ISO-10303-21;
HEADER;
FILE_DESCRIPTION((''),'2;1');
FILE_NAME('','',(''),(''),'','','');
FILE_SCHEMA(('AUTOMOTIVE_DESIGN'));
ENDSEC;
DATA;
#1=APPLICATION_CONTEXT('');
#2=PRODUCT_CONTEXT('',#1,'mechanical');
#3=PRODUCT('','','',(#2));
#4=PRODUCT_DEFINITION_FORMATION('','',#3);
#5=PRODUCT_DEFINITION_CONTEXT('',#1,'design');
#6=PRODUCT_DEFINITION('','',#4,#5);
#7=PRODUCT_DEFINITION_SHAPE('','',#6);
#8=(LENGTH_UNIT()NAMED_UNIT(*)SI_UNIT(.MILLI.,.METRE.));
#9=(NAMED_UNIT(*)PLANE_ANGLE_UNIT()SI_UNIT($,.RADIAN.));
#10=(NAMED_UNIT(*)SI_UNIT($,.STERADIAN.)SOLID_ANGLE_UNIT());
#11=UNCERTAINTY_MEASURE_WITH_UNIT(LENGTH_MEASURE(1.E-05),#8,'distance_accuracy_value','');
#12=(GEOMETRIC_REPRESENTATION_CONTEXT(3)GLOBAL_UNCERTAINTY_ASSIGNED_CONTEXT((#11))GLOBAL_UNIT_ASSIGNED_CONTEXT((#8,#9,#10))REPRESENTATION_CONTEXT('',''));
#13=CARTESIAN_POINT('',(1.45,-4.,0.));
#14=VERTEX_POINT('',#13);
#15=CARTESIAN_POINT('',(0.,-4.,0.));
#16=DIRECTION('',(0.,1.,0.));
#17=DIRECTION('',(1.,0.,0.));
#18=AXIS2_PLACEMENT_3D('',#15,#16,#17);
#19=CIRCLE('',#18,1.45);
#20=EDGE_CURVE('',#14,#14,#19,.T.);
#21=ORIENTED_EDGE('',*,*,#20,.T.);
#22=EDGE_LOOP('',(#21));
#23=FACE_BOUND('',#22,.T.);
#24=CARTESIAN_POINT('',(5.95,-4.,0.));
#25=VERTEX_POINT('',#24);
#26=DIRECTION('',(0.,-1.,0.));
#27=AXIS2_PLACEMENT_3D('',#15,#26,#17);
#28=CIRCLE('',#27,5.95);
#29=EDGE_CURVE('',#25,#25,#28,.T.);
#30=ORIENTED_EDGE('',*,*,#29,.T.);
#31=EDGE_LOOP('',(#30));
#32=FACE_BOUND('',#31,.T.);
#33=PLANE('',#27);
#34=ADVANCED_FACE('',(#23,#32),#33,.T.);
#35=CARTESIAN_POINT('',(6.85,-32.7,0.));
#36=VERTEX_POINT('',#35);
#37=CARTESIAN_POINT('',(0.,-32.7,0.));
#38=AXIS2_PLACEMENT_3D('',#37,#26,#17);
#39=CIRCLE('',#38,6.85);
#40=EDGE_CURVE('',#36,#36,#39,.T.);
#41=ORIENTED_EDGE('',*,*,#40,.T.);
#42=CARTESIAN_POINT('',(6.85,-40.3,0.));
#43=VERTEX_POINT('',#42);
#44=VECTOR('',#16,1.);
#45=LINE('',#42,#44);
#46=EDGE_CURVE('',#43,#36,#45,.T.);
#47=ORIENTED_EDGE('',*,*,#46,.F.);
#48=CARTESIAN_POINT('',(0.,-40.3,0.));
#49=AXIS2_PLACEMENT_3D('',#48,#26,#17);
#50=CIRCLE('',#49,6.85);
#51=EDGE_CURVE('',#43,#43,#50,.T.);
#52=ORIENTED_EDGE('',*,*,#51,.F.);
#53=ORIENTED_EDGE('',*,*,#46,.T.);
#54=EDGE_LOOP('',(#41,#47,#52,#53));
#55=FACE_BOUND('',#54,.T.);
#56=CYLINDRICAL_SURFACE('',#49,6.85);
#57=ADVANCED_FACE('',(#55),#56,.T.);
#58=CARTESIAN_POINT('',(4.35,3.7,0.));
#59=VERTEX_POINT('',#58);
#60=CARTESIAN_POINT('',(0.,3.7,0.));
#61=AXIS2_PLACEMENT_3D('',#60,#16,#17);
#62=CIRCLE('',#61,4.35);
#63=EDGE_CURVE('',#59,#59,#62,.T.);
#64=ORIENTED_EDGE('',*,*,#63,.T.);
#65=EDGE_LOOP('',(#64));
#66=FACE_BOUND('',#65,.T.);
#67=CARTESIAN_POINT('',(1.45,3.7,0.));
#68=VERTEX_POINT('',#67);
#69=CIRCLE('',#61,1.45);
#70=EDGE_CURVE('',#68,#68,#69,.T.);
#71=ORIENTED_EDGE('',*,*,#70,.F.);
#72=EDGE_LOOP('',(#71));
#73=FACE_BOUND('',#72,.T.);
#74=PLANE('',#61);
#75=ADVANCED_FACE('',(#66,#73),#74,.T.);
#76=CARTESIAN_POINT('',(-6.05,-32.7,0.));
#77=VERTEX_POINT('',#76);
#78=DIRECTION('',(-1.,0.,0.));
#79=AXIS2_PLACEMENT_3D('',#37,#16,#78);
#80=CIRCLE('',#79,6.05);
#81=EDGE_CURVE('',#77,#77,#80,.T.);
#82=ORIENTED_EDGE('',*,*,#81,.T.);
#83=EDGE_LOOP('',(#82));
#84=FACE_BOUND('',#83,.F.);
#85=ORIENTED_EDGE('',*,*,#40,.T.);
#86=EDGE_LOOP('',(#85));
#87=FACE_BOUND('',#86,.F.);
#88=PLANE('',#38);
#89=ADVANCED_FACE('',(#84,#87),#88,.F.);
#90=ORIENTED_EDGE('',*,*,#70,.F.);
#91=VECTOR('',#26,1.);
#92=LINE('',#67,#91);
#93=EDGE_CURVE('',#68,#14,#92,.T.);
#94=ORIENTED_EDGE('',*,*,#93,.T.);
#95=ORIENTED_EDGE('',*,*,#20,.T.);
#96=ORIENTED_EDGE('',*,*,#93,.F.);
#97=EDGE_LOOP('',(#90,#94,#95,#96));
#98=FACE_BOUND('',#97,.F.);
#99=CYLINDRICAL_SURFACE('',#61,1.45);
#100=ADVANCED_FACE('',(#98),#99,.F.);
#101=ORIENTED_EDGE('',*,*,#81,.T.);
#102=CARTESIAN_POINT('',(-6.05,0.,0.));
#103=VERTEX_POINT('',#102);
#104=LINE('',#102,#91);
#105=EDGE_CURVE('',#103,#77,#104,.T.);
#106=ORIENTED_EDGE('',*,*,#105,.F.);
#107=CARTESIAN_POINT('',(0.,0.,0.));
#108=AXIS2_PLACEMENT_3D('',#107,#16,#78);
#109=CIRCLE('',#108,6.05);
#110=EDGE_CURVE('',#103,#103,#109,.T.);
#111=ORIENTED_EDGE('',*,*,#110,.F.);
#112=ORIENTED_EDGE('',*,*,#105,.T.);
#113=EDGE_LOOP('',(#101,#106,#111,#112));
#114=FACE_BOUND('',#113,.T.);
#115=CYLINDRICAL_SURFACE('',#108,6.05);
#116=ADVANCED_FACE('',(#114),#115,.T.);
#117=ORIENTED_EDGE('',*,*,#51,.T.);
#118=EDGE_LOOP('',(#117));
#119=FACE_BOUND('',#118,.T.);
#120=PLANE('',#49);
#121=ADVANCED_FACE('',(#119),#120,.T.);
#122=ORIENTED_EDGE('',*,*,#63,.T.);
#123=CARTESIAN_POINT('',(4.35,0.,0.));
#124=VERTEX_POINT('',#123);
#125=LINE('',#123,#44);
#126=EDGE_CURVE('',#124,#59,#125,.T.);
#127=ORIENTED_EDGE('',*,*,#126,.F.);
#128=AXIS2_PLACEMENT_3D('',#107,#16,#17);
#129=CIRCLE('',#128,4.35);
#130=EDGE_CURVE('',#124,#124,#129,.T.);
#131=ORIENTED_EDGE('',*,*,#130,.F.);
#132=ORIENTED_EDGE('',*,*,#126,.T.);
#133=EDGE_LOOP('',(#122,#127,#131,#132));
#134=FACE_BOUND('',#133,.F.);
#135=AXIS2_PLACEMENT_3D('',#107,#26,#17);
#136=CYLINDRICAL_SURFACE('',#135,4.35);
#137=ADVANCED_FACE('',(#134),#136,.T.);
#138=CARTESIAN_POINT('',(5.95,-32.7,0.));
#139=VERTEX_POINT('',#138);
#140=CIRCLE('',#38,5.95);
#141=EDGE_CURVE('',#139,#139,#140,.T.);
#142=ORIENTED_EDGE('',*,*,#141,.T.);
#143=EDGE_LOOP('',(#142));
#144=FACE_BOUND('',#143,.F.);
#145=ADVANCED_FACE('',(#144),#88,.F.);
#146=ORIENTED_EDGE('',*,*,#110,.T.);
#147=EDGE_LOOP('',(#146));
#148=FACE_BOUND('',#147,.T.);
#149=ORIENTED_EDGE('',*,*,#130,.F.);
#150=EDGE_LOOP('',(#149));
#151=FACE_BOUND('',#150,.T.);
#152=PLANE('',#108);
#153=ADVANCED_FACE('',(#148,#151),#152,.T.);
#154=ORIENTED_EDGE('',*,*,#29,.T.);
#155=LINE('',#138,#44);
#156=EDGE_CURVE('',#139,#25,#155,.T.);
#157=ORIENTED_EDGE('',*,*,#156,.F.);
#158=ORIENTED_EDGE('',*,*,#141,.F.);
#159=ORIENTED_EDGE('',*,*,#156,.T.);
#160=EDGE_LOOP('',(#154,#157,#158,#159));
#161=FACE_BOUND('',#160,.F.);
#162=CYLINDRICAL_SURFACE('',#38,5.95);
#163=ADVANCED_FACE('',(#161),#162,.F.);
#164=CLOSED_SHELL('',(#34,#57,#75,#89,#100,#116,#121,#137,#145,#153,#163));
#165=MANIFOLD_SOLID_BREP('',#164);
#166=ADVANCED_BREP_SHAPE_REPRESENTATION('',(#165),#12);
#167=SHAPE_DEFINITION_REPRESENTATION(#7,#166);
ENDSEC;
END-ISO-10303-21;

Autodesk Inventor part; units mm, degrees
ref_plane "YZ Plane" through (0, 0, 0) normal (1, 0, 0) x (0, 1, 0)
ref_plane "XZ Plane" through (0, 0, 0) normal (0, 1, 0) x (-1, 0, 0)
ref_plane "XY Plane" through (0, 0, 0) normal (0, 0, 1) x (1, 0, 0)
sketch "Boceto1" plane through (0, 0, 0) normal (0, 1, 0) x (-1, 0, 0)
  circle A0 centre (0, 0) radius 6.05
  dimension "d0" = 12.1
extrude "Extrusión1" add sketch "Boceto1" against normal blind 32.7
sketch "Boceto2" plane through (0, 0, 0) normal (0, 1, 0) x (1, 0, 0)
  circle A0 centre (0, 0) radius 4.35
  dimension "d3" = 8.7
extrude "Extrusión2" add sketch "Boceto2" along normal blind 3.7
thread "Rosca1" size "M9x1.25" class "6g" standard "ANSI Metric M Profile" full length
sketch "Boceto3" plane through (0, -32.7, 0) normal (0, -1, 0) x (1, 0, 0)
  circle A0 centre (0, 0) radius 6.9
  dimension "d8" = 13.8
sketch "Boceto4" plane through (0, -32.7, 0) normal (0, -1, 0) x (1, 0, 0)
  circle A0 centre (0, 0) radius 5.95
  dimension "d9" = 11.9
extrude "Extrusión3" cut sketch "Boceto4" against normal blind 28.7
sketch "Boceto5" plane through (0, -32.7, 0) normal (0, -1, 0) x (1, 0, 0)
  point P0 (0, 0)
extrude "Extrusión4" add sketch "Boceto3" along normal blind 7.6
sketch "Boceto6" plane through (0, 3.7, 0) normal (0, 1, 0) x (1, 0, 0)
  circle A0 centre (0, 0) radius 1.45
  dimension "d14" = 2.9
extrude "Extrusión5" cut sketch "Boceto6" against normal blind 20
sketch "Boceto7" plane through (0, -40.3, 0) normal (0, -1, 0) x (1, 0, 0)
  circle A0 centre (0, 0) radius 6.85
  circle A1 centre (0, 0) radius 6.9
  dimension "d17" = 13.7
  dimension "d18" = 13.8
extrude "Extrusión6" cut sketch "Boceto7" against normal blind 20
properties part number "Piston(Deposito_deAceite)" material "Plástico ABS"
